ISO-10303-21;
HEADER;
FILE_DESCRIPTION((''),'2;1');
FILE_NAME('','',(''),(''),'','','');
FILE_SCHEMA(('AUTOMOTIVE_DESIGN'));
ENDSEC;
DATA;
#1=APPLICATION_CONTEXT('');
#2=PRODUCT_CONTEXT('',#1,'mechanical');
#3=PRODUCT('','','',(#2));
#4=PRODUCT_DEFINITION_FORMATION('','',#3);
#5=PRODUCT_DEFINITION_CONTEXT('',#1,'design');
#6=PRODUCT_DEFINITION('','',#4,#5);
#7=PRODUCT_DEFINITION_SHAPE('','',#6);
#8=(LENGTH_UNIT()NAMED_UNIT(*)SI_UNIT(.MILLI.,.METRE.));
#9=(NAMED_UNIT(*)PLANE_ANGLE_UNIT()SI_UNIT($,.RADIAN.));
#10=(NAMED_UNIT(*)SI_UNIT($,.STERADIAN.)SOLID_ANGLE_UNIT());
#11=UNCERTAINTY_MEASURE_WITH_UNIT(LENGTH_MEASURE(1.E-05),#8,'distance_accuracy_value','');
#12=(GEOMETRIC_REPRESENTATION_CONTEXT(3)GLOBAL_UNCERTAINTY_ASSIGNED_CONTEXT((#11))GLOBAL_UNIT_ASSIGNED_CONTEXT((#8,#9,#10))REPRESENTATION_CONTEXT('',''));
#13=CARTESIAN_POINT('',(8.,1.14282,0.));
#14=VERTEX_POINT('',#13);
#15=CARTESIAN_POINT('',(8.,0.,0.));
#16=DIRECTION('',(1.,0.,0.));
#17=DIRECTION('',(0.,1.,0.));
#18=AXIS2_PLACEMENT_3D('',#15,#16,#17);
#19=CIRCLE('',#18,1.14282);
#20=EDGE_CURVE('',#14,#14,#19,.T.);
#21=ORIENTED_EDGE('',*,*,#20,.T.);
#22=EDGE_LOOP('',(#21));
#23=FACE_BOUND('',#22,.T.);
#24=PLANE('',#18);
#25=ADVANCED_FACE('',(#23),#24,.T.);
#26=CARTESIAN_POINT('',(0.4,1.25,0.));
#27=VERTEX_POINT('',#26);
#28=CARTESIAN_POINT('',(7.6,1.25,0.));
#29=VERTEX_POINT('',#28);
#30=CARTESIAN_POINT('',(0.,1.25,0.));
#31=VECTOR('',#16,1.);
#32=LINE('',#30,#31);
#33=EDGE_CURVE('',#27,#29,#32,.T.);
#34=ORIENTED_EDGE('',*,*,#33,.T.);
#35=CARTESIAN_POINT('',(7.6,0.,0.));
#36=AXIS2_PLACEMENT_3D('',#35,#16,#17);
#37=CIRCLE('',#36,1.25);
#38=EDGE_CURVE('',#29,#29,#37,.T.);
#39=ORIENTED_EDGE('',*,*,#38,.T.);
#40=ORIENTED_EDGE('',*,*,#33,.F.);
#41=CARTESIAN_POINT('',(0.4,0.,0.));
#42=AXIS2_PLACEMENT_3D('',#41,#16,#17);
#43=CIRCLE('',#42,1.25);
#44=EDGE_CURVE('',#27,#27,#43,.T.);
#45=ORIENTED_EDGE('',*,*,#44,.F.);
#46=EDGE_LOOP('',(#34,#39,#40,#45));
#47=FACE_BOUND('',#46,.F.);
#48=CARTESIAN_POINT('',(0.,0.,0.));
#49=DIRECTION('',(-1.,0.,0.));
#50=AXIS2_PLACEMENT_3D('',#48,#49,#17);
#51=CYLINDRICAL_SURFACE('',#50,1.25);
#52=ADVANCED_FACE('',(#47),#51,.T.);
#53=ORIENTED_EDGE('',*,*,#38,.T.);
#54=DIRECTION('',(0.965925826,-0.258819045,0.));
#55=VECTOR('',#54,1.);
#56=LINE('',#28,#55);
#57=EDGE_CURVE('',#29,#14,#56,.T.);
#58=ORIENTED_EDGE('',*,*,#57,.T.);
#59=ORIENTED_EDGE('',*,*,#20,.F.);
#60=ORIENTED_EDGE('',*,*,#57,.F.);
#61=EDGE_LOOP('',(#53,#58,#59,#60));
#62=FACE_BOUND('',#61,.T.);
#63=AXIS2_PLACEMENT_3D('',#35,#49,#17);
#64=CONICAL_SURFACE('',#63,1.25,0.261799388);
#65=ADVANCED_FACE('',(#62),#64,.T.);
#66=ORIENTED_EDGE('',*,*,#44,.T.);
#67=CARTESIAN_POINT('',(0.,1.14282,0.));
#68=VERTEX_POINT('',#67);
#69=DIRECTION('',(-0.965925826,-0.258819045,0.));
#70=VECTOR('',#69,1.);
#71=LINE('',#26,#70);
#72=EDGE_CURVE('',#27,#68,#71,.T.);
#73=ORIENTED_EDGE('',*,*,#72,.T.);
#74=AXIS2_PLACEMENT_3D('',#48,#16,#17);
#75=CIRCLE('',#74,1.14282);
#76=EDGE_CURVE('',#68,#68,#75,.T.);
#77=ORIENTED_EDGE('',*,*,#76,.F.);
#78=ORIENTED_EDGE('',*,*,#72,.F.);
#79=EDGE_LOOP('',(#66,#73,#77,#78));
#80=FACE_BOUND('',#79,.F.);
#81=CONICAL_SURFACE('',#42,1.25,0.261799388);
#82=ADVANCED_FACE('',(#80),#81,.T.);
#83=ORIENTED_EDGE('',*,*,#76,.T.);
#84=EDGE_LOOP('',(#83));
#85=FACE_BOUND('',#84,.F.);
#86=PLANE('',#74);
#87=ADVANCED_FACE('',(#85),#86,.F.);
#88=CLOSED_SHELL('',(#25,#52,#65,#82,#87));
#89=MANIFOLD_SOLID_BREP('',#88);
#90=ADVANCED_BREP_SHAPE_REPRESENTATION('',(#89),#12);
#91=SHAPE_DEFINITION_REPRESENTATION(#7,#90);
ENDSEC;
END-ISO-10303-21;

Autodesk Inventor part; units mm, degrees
ref_plane "YZ Plane" through (0, 0, 0) normal (1, 0, 0) x (0, 1, 0)
ref_plane "XZ Plane" through (0, 0, 0) normal (0, 1, 0) x (-1, 0, 0)
ref_plane "XY Plane" through (0, 0, 0) normal (0, 0, 1) x (1, 0, 0)
sketch "Skizze" plane through (0, 0, 0) normal (1, 0, 0) x (0, 1, 0)
  circle A0 centre (0, 0) radius 1.25
  dimension "d1" = 2.5
extrude "Körper" add sketch "Skizze" along normal blind 8
chamfer "Fase1" distance 0.4 angle 15 1 edges at (0, -1.25, 0) measured on face at (5.3333, 1.2459, -0.1006)
chamfer "Skizze2" distance 0.4 angle 15 1 edges at (8, -1.25, 0) measured on face at (5.4667, 1.2459, -0.1006)
equation "\"d1\" = NND"
equation "\"d2\" = NLG"
equation "\"d8\" = PHH"
equation "\"d9\" = FAWI"
equation "\"d12\" = PHH"
equation "\"d4\" = PHH"
equation "\"d5\" = FAWI"
equation "\"d11\" = PHH"
equation "\"NND\" = 2.5"
equation "\"NLG\" = 8"
equation "\"PHH\" = 0.4"
equation "\"FAWI\" = 15deg"
equation "\"KAH\" = 0"
properties part number "ISO 2338 - 2,5 m6 x 8" material "Edelstahl, austenitisch"
